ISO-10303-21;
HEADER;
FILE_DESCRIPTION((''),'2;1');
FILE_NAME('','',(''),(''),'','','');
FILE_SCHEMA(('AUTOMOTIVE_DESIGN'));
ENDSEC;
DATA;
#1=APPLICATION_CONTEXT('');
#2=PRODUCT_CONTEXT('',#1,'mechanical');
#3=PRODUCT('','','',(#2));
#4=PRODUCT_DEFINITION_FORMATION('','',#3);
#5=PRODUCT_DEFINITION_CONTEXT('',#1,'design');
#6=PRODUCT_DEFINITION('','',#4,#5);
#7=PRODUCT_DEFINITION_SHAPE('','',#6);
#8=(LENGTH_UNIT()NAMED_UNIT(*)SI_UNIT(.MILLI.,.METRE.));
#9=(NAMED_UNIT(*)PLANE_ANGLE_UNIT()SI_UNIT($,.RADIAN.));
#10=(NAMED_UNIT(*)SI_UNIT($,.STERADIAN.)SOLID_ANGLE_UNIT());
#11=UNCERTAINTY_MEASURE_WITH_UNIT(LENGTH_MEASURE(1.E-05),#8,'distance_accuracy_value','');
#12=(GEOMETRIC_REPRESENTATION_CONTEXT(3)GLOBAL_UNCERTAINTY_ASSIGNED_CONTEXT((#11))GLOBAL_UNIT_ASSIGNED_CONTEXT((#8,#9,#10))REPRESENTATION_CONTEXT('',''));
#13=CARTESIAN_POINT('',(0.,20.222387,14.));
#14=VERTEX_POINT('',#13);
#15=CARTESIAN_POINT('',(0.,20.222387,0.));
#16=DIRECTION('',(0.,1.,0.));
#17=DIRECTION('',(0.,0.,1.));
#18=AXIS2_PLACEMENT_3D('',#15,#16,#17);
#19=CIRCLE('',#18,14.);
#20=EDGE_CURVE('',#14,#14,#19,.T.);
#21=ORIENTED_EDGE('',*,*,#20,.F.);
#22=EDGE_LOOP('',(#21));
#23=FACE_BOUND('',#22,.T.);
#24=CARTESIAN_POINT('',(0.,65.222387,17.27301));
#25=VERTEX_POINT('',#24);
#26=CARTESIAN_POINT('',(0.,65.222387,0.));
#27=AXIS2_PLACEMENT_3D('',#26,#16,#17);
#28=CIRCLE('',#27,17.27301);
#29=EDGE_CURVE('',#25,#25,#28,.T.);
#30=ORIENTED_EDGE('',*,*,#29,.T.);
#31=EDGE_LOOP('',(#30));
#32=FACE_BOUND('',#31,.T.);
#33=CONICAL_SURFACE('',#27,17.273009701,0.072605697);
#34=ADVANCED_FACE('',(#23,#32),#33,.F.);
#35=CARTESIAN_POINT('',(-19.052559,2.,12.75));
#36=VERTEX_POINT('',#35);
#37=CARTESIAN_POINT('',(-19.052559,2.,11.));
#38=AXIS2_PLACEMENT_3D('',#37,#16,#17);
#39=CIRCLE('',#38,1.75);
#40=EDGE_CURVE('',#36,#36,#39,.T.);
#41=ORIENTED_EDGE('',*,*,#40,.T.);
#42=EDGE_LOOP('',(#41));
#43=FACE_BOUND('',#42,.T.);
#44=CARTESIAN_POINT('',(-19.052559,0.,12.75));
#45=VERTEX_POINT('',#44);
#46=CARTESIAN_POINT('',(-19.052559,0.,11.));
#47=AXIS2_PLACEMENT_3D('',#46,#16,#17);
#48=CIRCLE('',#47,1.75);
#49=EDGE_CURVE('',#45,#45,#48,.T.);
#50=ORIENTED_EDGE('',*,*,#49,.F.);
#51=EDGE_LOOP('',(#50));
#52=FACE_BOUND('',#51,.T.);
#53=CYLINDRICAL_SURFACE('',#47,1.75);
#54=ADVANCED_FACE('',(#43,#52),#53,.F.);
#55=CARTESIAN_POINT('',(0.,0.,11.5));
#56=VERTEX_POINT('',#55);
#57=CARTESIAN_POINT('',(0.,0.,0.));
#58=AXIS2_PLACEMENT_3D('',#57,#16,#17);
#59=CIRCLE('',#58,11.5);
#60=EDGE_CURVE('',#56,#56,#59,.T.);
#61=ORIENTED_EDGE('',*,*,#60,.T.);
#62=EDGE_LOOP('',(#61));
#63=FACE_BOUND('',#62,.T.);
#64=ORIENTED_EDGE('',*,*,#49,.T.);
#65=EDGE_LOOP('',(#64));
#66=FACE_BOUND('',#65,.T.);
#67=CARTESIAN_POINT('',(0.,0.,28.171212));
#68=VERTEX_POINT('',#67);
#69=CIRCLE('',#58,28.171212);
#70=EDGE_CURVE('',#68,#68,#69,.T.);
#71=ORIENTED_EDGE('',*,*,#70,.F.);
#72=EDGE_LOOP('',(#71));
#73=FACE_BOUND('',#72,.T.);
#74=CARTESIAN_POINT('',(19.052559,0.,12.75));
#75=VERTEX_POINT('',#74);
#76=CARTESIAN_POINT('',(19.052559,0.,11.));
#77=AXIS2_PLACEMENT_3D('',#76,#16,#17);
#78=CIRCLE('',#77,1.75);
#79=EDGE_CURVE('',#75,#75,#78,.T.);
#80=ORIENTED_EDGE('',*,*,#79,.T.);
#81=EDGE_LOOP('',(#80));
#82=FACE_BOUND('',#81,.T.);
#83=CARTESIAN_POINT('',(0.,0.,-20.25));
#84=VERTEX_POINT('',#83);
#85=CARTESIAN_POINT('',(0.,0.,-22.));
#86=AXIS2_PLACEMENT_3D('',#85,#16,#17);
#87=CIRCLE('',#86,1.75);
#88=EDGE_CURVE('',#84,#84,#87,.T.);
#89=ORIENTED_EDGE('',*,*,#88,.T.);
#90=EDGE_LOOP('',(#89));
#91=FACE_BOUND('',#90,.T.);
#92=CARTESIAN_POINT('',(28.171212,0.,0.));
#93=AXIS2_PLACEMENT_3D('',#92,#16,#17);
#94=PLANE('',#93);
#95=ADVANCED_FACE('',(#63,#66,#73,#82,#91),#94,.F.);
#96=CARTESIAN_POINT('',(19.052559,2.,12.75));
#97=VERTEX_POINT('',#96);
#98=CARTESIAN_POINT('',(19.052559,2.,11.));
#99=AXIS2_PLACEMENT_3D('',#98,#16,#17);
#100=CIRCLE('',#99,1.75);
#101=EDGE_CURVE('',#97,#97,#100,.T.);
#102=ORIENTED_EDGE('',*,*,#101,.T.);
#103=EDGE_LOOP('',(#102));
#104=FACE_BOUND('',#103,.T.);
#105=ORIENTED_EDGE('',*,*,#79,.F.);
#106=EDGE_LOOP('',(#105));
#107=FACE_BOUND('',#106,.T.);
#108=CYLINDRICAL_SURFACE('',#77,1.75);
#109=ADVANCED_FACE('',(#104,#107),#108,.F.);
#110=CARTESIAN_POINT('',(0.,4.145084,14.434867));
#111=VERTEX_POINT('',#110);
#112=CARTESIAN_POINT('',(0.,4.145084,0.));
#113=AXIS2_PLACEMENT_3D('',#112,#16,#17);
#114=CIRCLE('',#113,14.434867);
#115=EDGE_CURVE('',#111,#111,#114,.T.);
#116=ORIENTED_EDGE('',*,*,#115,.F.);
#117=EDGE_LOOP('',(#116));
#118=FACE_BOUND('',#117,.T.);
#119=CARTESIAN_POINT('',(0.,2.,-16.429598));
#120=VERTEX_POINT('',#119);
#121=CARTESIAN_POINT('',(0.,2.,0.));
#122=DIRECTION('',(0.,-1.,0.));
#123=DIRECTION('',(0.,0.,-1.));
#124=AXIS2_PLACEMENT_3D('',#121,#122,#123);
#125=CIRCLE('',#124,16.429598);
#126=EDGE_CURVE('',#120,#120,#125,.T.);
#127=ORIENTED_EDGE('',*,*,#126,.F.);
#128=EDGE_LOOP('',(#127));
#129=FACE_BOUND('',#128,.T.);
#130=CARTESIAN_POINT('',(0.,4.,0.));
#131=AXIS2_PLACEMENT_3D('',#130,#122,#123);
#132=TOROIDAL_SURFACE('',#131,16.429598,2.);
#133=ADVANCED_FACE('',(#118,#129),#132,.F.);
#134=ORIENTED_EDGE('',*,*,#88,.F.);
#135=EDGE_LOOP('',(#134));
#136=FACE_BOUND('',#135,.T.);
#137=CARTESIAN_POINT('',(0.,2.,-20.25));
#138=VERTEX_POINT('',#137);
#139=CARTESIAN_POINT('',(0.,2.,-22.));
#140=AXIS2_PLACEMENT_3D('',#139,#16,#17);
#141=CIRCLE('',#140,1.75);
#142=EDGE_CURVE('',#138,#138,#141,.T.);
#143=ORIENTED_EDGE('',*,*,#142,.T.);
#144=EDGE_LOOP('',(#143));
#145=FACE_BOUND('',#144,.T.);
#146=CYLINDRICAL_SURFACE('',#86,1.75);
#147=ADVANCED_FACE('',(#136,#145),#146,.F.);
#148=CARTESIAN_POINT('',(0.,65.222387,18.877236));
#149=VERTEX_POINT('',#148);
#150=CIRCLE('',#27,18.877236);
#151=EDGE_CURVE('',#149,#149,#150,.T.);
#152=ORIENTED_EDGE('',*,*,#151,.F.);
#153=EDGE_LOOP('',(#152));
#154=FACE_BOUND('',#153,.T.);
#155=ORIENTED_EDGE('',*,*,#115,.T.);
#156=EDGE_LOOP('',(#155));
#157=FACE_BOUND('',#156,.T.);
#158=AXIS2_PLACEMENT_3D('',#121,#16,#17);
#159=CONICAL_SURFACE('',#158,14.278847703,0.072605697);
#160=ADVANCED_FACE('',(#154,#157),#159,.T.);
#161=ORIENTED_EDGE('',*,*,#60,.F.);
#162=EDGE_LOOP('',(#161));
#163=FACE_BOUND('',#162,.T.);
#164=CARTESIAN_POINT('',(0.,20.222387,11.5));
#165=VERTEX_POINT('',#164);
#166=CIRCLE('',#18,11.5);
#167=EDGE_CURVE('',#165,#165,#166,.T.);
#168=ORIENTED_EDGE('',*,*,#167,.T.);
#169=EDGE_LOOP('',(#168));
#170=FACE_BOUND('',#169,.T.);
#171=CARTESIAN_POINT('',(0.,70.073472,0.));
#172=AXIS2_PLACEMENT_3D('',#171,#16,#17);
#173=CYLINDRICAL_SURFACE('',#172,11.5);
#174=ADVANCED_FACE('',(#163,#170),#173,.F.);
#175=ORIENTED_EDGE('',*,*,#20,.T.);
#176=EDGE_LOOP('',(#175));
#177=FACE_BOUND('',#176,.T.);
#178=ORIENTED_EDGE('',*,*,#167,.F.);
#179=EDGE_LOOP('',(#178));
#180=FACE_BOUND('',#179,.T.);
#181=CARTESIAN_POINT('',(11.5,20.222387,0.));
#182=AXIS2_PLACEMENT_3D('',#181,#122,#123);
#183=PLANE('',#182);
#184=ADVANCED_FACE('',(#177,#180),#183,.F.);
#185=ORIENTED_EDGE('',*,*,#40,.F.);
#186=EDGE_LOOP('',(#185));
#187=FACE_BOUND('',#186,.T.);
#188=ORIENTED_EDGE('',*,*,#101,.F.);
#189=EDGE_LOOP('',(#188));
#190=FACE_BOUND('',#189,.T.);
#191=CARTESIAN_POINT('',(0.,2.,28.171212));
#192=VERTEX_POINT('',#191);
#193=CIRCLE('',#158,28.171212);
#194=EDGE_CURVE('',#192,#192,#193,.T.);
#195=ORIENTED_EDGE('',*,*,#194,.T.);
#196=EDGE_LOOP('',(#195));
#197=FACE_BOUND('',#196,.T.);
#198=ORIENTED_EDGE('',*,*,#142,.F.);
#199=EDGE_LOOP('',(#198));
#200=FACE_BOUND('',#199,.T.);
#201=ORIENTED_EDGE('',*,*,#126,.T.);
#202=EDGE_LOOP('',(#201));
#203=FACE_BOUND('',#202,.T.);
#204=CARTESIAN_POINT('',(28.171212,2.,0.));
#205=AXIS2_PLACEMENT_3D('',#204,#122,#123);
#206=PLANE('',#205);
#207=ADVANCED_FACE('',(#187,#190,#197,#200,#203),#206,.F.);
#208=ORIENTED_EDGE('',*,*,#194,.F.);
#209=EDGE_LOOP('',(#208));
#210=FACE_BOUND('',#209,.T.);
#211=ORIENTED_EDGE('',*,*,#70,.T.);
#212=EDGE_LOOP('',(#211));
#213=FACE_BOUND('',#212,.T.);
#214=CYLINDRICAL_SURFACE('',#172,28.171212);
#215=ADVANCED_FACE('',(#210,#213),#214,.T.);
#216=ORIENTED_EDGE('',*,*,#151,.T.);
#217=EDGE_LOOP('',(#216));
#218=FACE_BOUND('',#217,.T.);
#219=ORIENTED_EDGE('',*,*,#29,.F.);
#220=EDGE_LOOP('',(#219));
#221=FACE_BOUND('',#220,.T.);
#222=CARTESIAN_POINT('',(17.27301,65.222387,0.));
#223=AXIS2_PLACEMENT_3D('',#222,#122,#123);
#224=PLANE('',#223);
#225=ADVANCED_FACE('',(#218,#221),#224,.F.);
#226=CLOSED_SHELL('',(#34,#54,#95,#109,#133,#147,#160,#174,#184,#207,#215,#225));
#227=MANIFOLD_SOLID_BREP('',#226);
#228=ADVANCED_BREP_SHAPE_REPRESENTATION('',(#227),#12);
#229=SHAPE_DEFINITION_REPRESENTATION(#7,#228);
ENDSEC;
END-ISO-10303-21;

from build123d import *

# Parameters (mm, degrees)
FILLET1_R          = 2
SKETCH2_R          = 1.75
CUT_EXTRUDE1_DEPTH = 3


with BuildPart() as part:
    # Sketch1 → Revolve1 (revolve)
    with BuildSketch(Plane.XY, mode=Mode.PRIVATE) as revolve1_sk:
        Polygon((11.5, 0), (11.5, 20.222386647), (14, 20.222386647), (17.273009701, 65.222386647), (18.877236254, 65.222386647), (14.278847703, 2), (28.171211947, 2), (28.171211947, 0), align=None)
    revolve(revolve1_sk.sketch.rotate(Axis((0, 70.073472281, 0), (0, -1, 0)), 90), axis=Axis((0, 70.073472281, 0), (0, -1, 0)))  # turned: the seam where the file's is

    # Fillet1
    fillet1_edges = [part.edges().sort_by_distance(p)[0] for p in [
        (0, 2, -14.278847703),
    ]]
    fillet(fillet1_edges, radius=FILLET1_R)

    # Sketch2 → Cut-Extrude1 (cut, through all)
    with BuildSketch(Plane(origin=(0, 2, 0), x_dir=(1, 0, 0), z_dir=(0, 1, 0))):
        with Locations(Location((0, 22, 0), (0, 0, 270))):  # turned: the seam where the file's is
            Circle(SKETCH2_R)
        with Locations(Location((19.052558883, -11, 0), (0, 0, 270))):  # turned: the seam where the file's is
            Circle(SKETCH2_R)
        with Locations(Location((-19.052558883, -11, 0), (0, 0, 270))):  # turned: the seam where the file's is
            Circle(SKETCH2_R)
    extrude(amount=-CUT_EXTRUDE1_DEPTH, mode=Mode.SUBTRACT)


solid = part.part
